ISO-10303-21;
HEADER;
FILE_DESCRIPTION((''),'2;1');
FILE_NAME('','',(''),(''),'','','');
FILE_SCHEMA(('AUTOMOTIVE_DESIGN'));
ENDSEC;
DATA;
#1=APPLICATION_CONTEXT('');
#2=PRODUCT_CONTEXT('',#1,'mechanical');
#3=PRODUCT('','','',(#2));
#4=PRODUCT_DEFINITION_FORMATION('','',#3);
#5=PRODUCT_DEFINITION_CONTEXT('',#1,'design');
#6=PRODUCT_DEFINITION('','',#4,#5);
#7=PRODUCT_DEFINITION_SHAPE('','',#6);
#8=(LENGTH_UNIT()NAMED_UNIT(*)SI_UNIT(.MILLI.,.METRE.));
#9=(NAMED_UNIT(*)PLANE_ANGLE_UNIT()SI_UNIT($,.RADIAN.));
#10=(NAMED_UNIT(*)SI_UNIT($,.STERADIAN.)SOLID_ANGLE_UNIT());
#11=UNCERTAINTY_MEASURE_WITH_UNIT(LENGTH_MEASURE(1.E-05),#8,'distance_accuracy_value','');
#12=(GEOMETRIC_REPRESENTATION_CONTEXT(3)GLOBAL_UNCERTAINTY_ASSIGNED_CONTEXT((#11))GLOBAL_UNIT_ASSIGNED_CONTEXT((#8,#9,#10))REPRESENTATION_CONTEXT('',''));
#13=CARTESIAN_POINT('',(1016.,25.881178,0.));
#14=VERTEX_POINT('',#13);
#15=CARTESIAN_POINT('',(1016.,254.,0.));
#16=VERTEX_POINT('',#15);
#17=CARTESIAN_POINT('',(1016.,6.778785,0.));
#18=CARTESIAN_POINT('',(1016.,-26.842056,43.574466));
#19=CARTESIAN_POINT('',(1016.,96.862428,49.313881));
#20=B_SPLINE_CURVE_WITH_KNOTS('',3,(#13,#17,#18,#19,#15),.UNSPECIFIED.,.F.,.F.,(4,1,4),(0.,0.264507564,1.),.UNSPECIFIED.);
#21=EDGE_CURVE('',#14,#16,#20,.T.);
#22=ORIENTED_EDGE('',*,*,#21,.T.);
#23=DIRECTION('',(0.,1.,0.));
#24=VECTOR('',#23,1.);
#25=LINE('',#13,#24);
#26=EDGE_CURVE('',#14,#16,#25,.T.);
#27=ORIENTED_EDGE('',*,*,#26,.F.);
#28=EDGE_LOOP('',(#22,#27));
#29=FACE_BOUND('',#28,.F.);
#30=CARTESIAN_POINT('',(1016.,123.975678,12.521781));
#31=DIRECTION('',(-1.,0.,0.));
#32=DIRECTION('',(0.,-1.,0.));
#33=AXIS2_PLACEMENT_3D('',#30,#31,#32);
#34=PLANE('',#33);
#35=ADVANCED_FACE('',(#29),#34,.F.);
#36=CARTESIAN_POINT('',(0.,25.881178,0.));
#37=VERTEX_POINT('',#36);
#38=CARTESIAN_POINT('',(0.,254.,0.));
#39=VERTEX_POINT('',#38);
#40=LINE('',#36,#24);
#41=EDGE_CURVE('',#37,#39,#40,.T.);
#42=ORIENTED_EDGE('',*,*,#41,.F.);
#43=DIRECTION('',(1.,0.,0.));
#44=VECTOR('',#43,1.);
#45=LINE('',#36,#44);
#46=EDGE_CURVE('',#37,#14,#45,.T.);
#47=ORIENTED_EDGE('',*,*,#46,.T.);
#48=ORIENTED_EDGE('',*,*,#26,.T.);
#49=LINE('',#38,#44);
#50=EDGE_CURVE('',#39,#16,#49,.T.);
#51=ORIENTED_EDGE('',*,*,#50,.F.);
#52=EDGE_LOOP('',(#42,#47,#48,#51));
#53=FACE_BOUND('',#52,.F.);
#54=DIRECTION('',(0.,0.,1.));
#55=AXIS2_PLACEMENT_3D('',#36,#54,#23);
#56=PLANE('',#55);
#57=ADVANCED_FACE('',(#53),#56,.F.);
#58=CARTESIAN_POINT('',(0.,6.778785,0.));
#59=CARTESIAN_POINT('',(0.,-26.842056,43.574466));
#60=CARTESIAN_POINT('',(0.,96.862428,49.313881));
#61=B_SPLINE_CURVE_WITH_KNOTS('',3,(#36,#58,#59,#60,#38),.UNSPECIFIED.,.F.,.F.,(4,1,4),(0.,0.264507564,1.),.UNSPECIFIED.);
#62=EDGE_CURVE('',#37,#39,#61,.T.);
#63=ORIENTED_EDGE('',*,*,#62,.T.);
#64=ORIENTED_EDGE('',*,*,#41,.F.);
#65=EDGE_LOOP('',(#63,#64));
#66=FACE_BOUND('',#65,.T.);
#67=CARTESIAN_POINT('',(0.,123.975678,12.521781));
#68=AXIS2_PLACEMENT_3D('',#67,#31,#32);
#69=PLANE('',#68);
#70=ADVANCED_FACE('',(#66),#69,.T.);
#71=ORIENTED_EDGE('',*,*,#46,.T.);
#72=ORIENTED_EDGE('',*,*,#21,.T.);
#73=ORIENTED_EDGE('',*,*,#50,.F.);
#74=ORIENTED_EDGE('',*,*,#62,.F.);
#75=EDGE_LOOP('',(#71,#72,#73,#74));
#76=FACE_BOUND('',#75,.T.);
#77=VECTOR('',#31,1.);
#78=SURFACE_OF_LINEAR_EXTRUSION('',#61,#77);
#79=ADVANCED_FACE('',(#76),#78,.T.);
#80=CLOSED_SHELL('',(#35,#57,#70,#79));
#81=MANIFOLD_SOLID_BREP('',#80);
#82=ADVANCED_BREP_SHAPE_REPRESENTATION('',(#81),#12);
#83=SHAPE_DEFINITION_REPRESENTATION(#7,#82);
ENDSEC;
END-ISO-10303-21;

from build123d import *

# Parameters (mm, degrees)
F1_DEPTH = 1016


with BuildPart() as f1:
    # F0 (on Right) → F1 (new body)
    with BuildSketch(Plane.YZ):
        with BuildLine():
            add(Edge.make_bspline(
                [(25.8811783718, 0), (6.7787851927, 0), (-26.8420564531, 43.5744659283), (96.8624278903, 49.3138805032), (254, 0)],
                knots=[0, 0, 0, 0, 0.2645075636, 1, 1, 1, 1], degree=3))
            Line((25.8811783718, 0), (254, 0))
        make_face()
    extrude(amount=F1_DEPTH)


solid = f1.part
